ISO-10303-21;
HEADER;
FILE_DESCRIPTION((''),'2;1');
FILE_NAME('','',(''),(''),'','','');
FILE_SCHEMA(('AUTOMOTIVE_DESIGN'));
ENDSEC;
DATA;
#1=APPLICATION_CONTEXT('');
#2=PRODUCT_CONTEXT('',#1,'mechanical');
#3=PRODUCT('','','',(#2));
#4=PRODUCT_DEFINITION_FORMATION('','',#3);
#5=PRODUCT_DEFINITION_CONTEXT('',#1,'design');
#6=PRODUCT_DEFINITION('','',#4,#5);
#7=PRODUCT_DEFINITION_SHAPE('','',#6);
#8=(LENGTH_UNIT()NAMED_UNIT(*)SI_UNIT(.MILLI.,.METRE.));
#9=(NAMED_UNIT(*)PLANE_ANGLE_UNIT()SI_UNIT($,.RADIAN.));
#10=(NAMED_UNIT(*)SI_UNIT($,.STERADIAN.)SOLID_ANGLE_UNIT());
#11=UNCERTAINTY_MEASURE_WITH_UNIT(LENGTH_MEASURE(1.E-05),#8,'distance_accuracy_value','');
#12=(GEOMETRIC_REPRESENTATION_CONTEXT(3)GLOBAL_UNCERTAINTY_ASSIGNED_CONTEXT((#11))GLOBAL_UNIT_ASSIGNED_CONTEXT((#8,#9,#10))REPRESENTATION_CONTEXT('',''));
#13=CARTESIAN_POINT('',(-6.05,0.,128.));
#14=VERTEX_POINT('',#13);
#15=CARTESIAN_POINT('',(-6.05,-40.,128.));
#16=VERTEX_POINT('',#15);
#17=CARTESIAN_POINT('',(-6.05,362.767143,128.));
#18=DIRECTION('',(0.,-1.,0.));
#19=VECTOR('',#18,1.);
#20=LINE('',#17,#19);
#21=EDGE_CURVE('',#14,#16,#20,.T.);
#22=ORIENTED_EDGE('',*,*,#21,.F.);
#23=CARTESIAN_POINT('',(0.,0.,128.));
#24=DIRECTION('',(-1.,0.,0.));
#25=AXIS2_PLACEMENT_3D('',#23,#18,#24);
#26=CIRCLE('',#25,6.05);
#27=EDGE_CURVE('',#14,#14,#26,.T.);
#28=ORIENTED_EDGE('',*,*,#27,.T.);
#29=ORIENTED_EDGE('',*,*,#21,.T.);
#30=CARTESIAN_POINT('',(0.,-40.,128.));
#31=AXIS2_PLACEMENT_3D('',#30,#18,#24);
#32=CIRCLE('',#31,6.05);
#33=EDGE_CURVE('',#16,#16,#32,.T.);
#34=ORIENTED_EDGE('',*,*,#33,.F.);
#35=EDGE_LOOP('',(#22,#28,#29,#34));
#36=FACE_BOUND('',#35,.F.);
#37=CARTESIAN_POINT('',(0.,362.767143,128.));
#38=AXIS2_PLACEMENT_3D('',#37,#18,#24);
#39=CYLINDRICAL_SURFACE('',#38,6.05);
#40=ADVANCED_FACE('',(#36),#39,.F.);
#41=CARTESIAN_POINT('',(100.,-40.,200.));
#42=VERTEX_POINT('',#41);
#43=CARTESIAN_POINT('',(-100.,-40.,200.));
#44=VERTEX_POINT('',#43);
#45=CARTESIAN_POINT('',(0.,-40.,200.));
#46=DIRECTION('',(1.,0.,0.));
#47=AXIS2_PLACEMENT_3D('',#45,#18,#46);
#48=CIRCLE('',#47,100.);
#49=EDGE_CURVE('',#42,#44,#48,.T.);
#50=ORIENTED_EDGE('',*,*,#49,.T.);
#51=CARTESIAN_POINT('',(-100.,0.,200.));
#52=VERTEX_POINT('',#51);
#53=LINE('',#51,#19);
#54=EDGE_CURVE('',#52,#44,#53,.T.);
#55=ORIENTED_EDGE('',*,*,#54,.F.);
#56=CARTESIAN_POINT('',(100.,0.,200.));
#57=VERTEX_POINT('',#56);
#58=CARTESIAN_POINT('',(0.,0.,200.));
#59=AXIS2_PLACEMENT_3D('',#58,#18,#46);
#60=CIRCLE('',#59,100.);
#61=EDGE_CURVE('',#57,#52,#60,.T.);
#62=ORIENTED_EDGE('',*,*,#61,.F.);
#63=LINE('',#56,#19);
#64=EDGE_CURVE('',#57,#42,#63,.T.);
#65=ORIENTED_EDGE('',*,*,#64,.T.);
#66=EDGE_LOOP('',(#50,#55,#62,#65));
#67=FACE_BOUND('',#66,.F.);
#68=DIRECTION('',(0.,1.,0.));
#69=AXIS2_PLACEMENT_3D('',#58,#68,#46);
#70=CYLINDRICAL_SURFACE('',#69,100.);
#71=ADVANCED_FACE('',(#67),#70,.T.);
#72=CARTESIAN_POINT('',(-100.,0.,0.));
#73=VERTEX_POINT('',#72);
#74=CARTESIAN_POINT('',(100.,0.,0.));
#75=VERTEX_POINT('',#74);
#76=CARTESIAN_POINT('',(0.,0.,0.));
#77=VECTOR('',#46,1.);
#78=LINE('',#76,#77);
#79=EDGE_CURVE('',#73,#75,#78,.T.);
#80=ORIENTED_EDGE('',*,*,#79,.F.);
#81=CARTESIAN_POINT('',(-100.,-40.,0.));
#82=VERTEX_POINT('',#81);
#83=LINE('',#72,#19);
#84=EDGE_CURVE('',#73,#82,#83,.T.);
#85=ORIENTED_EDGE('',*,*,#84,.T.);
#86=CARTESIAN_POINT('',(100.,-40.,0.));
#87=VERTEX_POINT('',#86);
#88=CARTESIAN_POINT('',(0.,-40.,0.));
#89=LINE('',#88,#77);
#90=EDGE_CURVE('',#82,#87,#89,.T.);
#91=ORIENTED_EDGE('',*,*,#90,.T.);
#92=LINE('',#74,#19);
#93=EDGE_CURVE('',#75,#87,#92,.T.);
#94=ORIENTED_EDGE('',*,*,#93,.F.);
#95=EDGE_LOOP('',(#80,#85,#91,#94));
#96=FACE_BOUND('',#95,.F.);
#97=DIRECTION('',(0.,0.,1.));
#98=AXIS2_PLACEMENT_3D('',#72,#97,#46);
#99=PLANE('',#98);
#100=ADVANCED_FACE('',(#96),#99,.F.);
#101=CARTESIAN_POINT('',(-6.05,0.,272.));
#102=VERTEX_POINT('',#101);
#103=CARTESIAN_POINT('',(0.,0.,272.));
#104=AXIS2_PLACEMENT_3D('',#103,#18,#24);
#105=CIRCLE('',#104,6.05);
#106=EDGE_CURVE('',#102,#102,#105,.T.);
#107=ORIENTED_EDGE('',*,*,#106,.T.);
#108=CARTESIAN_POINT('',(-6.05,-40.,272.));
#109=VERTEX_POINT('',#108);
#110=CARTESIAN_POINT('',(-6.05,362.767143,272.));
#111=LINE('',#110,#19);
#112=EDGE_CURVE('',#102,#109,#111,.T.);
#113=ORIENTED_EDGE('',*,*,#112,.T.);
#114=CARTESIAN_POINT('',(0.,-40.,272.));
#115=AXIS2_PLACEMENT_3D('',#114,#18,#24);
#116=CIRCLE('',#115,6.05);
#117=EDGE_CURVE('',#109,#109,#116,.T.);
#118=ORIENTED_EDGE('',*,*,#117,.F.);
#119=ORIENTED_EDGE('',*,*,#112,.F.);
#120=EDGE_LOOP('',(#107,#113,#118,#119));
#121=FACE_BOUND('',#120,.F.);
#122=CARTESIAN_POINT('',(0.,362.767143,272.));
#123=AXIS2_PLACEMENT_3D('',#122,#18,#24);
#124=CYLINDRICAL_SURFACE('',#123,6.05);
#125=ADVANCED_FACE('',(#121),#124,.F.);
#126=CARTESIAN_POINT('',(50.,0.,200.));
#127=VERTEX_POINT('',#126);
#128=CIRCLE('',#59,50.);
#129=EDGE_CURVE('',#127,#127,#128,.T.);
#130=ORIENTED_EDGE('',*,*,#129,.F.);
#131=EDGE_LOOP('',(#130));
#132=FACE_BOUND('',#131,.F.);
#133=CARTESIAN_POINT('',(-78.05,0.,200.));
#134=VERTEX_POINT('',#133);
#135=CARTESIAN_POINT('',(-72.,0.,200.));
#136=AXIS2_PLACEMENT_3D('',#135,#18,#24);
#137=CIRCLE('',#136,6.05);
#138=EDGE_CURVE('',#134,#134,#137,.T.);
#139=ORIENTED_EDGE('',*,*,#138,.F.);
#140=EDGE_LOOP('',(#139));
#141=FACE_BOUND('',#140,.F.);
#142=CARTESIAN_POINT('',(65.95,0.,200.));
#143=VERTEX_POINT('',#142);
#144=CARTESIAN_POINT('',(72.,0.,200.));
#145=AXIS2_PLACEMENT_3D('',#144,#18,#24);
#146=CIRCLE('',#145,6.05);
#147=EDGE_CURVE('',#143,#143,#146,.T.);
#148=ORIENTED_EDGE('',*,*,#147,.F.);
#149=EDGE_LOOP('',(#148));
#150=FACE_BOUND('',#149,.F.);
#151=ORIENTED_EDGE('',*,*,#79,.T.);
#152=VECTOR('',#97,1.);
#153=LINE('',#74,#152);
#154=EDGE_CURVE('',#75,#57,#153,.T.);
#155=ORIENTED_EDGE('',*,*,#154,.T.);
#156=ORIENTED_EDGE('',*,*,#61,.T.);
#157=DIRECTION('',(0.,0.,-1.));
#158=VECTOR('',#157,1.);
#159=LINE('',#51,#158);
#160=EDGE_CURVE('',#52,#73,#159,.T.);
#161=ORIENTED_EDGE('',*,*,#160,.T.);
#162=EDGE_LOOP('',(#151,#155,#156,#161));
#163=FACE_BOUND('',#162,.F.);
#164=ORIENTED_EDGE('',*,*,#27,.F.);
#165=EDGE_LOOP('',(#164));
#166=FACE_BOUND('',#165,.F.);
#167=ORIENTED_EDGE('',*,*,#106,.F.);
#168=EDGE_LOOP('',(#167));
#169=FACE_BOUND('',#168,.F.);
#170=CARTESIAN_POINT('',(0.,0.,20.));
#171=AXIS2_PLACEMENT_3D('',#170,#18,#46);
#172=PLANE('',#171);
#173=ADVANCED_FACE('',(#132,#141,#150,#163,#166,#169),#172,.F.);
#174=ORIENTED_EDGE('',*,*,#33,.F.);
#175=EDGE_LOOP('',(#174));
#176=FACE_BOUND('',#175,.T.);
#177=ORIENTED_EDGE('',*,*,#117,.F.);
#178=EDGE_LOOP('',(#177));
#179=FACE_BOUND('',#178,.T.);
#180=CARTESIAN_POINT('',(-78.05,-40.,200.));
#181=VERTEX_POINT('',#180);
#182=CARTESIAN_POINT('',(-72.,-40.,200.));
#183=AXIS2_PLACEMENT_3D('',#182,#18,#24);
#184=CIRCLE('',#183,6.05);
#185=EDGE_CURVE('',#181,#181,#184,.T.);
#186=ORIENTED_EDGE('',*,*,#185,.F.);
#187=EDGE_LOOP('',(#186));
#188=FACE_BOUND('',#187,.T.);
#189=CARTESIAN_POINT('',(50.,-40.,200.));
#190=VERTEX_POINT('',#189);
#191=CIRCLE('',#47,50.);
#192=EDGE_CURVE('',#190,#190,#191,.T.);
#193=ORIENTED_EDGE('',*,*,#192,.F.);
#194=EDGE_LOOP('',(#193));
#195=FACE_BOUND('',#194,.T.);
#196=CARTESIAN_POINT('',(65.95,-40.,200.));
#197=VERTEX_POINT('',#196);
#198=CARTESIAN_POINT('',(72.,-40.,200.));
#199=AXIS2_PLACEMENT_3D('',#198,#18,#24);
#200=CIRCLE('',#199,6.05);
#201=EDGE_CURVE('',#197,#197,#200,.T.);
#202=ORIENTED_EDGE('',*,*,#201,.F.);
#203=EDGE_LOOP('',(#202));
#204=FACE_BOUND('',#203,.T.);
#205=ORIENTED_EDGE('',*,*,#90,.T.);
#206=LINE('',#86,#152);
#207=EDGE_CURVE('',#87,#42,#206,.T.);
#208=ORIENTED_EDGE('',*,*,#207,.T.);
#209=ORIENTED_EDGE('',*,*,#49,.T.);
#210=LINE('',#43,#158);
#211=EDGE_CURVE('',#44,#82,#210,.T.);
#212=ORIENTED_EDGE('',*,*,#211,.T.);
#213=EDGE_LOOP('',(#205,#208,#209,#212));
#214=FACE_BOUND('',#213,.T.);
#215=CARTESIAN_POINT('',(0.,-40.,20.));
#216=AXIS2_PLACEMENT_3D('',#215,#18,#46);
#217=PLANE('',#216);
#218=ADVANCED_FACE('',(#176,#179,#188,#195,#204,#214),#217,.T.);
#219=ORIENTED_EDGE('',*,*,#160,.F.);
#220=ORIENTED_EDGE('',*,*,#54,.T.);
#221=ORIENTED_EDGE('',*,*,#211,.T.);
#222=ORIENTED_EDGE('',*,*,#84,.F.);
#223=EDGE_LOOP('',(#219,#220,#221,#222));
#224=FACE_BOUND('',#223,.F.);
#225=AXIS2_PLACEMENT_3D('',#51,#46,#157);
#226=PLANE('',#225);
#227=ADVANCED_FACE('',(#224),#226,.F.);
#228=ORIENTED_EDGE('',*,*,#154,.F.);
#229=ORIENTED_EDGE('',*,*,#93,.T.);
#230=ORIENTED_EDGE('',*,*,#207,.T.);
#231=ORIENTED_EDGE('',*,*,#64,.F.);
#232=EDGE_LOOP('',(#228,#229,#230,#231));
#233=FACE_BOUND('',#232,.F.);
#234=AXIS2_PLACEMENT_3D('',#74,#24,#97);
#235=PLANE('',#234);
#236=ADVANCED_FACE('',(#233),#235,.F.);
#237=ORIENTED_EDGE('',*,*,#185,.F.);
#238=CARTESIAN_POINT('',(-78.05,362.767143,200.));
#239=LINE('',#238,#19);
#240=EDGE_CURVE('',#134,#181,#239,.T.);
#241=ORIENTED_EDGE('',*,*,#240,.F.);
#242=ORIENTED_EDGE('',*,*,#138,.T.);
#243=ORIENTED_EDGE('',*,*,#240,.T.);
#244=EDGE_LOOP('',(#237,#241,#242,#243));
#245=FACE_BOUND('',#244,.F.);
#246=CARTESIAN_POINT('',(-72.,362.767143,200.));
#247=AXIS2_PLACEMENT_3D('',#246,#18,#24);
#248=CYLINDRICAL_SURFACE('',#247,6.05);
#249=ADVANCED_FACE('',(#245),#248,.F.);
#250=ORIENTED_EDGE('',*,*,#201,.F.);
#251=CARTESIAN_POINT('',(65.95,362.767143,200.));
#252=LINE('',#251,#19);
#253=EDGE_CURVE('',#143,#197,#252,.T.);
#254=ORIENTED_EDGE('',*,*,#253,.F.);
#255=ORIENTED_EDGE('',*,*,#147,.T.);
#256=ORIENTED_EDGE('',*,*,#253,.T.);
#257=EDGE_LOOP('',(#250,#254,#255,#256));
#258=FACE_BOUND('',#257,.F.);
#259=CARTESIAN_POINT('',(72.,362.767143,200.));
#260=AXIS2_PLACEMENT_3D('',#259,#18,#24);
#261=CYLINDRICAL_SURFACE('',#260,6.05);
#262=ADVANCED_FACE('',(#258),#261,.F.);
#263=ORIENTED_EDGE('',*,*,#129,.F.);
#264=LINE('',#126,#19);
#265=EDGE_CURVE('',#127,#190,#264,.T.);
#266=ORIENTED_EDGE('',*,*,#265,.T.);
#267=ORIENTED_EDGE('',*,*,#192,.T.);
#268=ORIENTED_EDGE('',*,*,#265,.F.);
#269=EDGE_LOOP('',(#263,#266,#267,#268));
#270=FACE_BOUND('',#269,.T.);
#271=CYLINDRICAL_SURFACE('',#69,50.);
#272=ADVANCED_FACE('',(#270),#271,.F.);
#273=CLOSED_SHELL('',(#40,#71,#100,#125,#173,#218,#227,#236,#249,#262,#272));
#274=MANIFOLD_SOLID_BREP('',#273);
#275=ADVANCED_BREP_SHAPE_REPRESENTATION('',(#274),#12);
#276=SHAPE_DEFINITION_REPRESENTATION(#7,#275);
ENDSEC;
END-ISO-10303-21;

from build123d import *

# Parameters (mm, degrees)
F0_W     = 200
F0_H     = 40
F0_R     = 50
F1_DEPTH = 40
F2_D     = 12.1


with BuildPart() as f1:
    # F0 (on Front) → F1 (new body)
    with BuildSketch(Plane.XZ):
        with Locations((0, 20)):
            Rectangle(F0_W, F0_H)
        with BuildLine():
            Line((-100, 200), (-100, 40))
            Line((-100, 40), (100, 40))
            Line((100, 40), (100, 200))
            ThreePointArc((100, 200), (0, 300), (-100, 200))
        make_face()
        with Locations((0, 200)):
            Circle(F0_R, mode=Mode.SUBTRACT)
    extrude(amount=F1_DEPTH)

    # F2 (through all)
    with Locations(Plane(origin=(0, 0, 0), x_dir=(1, 0, 0), z_dir=(0, 1, 0))):
        with Locations((0, -272), (-72, -200), (0, -128), (72, -200)):
            Hole(F2_D / 2)


solid = f1.part
